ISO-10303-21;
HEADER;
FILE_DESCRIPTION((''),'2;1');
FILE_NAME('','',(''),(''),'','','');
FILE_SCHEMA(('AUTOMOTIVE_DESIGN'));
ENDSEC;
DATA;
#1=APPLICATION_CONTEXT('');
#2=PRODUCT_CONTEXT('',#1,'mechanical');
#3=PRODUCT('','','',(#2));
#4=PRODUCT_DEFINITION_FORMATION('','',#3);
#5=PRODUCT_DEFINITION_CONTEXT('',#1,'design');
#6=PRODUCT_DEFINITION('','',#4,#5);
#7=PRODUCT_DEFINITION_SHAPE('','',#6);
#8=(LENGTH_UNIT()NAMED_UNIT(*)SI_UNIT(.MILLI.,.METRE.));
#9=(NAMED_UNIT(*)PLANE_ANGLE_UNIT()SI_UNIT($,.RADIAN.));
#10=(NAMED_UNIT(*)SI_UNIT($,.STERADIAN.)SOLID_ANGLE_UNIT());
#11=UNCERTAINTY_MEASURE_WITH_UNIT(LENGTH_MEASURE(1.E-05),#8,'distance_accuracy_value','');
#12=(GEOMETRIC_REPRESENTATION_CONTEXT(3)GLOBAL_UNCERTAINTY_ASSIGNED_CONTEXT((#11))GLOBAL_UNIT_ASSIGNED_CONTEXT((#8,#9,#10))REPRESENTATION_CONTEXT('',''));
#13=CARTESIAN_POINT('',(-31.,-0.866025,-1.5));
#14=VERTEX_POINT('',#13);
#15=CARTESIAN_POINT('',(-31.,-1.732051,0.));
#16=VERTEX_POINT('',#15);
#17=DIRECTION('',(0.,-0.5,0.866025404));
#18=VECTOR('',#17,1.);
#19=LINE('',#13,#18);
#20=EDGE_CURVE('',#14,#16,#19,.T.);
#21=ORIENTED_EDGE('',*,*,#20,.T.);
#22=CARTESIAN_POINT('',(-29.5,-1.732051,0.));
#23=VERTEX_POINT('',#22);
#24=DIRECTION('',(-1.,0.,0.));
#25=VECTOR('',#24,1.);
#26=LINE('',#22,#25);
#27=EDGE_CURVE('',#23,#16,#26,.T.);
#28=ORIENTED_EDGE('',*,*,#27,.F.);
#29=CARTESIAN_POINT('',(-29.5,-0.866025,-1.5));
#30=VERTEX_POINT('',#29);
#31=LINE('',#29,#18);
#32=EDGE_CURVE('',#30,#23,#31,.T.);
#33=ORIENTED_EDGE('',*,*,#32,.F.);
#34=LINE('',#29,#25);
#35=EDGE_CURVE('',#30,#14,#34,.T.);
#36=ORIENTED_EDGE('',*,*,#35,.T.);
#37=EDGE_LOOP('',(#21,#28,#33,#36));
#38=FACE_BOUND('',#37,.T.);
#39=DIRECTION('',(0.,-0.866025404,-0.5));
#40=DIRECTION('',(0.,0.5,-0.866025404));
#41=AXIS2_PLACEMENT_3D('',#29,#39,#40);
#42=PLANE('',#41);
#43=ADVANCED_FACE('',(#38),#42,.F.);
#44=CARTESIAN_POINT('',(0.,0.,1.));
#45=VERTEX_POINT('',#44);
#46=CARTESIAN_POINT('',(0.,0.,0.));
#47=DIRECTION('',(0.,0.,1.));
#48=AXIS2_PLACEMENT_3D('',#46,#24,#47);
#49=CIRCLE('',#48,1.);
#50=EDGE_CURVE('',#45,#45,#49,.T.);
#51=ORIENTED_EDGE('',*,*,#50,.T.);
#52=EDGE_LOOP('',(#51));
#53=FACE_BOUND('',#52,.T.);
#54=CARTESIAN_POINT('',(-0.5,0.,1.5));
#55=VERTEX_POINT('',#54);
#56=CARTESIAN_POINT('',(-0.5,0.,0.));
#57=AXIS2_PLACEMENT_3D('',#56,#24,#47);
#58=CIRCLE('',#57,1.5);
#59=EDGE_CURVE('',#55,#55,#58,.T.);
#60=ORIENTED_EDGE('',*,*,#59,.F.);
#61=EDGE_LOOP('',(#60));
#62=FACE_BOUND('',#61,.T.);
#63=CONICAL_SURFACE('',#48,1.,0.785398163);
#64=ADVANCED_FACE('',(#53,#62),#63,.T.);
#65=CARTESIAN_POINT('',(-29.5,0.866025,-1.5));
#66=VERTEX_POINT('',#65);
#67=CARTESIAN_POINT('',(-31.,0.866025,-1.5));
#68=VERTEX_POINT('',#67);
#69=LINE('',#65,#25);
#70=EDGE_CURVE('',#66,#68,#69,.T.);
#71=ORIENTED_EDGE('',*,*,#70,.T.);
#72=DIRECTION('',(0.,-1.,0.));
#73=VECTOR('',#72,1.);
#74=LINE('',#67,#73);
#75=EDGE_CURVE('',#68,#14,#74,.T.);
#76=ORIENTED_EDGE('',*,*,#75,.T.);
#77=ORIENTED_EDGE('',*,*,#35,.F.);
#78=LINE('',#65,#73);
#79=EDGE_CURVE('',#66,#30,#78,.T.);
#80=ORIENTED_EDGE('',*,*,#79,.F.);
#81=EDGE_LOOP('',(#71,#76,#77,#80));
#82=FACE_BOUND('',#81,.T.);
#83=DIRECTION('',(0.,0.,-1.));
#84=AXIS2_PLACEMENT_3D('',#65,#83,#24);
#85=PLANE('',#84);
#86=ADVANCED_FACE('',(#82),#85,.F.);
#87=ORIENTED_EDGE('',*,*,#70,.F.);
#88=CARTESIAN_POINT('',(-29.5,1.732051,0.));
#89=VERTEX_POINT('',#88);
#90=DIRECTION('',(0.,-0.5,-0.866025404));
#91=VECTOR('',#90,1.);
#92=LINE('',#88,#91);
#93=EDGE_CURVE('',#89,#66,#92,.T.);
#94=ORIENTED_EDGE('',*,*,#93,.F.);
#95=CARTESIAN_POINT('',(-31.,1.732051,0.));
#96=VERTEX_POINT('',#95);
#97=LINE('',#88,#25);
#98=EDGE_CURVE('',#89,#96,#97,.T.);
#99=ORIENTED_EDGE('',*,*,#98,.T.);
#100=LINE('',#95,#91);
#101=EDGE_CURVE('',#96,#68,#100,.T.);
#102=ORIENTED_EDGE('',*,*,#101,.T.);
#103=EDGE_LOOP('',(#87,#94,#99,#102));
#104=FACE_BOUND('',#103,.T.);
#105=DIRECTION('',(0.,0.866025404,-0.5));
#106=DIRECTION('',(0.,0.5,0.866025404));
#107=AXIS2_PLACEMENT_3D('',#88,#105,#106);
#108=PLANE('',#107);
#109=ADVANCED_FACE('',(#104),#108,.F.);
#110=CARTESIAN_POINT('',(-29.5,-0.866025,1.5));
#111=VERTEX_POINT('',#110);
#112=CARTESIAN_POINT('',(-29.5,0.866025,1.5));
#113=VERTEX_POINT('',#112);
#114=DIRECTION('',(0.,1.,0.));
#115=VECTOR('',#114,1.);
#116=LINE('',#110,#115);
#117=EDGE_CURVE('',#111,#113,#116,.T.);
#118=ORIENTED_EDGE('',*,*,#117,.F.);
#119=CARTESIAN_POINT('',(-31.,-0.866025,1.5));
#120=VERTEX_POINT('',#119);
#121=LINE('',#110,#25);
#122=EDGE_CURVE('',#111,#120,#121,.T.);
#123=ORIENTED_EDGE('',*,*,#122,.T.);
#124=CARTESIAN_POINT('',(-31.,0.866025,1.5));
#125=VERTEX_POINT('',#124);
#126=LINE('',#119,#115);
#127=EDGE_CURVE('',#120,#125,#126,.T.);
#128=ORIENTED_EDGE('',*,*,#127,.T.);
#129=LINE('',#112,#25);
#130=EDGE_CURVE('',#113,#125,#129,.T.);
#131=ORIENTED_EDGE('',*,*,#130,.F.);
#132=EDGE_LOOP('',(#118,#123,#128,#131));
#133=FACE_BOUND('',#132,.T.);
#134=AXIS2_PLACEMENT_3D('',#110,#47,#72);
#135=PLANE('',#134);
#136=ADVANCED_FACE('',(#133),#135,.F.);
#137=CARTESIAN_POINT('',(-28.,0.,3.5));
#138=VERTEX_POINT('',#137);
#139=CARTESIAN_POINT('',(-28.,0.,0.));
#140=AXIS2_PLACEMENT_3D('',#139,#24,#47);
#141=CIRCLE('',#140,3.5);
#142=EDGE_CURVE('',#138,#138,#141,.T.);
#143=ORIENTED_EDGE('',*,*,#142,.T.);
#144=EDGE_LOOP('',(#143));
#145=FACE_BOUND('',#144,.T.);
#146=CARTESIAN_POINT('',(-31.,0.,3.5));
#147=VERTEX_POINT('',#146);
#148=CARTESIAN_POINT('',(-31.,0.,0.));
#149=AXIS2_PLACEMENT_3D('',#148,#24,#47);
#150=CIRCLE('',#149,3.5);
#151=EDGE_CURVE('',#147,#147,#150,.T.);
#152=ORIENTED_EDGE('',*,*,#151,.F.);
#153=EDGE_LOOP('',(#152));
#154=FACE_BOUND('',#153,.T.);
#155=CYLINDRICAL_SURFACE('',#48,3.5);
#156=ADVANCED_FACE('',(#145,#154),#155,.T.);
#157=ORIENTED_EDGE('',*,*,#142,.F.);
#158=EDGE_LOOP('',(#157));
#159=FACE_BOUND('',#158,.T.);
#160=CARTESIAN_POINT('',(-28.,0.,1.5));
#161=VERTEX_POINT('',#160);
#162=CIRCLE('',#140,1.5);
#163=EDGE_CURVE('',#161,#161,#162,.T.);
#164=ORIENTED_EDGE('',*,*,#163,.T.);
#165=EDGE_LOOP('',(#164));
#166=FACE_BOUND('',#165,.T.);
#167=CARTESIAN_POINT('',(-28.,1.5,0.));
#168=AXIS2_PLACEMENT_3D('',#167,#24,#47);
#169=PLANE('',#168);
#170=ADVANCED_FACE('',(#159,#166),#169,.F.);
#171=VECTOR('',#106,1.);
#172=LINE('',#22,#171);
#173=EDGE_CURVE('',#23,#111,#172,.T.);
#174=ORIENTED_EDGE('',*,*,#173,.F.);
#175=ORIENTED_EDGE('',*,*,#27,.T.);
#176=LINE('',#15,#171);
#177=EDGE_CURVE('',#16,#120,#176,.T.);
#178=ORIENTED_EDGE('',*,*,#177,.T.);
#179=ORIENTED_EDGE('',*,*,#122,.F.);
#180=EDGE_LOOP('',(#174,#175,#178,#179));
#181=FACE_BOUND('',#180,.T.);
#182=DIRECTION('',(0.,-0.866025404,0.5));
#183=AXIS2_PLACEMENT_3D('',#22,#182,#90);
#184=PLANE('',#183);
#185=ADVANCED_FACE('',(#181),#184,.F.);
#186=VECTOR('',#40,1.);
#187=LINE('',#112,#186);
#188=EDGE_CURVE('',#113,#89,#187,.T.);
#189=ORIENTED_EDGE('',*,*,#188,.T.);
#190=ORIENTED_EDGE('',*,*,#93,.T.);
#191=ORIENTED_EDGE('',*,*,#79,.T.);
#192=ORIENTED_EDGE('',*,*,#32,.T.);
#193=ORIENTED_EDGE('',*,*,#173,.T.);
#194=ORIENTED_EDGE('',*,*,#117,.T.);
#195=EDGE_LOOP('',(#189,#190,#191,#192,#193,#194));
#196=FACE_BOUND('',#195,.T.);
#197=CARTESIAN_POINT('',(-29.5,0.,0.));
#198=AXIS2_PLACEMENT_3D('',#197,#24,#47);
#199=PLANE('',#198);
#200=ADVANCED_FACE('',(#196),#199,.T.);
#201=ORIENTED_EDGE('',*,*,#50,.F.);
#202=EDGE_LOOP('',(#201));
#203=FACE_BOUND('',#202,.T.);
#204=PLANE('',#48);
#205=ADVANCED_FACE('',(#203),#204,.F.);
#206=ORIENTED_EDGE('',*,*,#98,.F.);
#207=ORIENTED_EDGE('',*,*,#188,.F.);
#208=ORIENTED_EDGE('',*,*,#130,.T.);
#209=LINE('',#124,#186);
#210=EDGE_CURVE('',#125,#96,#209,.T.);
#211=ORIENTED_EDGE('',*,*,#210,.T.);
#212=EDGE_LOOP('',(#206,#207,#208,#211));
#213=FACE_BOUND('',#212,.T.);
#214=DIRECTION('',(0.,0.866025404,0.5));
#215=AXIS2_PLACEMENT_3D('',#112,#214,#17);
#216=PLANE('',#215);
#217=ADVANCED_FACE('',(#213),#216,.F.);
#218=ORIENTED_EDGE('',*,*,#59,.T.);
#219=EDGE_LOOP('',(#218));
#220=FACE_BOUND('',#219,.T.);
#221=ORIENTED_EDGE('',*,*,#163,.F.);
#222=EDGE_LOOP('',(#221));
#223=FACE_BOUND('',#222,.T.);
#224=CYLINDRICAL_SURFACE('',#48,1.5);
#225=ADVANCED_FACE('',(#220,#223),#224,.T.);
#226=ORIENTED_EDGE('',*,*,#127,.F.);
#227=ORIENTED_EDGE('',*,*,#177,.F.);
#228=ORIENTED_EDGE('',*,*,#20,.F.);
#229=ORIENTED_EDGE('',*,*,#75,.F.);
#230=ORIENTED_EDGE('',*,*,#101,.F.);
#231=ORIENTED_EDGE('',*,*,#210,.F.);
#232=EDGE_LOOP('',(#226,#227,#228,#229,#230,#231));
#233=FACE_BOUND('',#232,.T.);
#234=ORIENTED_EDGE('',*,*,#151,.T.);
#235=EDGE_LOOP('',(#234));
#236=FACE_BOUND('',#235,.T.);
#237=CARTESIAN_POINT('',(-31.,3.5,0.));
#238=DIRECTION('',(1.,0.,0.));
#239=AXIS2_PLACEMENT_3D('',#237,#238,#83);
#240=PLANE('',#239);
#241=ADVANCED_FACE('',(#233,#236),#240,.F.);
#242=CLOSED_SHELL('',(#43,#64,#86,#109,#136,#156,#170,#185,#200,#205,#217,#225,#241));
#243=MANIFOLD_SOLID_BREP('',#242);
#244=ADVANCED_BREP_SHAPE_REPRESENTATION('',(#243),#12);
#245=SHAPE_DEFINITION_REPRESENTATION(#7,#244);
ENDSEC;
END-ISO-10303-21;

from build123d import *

# Parameters (mm, degrees)
CUT_EXTRUDE1_DEPTH = 1.5


with BuildPart() as part:
    # Sketch1 → Revolve1 (revolve)
    with BuildSketch(Plane.XY, mode=Mode.PRIVATE) as revolve1_sk:
        Polygon((0, 0), (0, 1), (-0.5, 1.5), (-28, 1.5), (-28, 3.5), (-31, 3.5), (-31, 0), align=None)
    revolve(revolve1_sk.sketch.rotate(Axis((0, 0, 0), (1, 0, 0)), 90), axis=Axis((0, 0, 0), (1, 0, 0)))

    # Sketch2 → Cut-Extrude1 (cut)
    with BuildSketch(Plane.ZY.offset(31)):
        Polygon((0, 1.732050808), (-1.5, 0.866025404), (-1.5, -0.866025404), (0, -1.732050808), (1.5, -0.866025404), (1.5, 0.866025404), align=None)
    extrude(amount=-CUT_EXTRUDE1_DEPTH, mode=Mode.SUBTRACT)


solid = part.part
